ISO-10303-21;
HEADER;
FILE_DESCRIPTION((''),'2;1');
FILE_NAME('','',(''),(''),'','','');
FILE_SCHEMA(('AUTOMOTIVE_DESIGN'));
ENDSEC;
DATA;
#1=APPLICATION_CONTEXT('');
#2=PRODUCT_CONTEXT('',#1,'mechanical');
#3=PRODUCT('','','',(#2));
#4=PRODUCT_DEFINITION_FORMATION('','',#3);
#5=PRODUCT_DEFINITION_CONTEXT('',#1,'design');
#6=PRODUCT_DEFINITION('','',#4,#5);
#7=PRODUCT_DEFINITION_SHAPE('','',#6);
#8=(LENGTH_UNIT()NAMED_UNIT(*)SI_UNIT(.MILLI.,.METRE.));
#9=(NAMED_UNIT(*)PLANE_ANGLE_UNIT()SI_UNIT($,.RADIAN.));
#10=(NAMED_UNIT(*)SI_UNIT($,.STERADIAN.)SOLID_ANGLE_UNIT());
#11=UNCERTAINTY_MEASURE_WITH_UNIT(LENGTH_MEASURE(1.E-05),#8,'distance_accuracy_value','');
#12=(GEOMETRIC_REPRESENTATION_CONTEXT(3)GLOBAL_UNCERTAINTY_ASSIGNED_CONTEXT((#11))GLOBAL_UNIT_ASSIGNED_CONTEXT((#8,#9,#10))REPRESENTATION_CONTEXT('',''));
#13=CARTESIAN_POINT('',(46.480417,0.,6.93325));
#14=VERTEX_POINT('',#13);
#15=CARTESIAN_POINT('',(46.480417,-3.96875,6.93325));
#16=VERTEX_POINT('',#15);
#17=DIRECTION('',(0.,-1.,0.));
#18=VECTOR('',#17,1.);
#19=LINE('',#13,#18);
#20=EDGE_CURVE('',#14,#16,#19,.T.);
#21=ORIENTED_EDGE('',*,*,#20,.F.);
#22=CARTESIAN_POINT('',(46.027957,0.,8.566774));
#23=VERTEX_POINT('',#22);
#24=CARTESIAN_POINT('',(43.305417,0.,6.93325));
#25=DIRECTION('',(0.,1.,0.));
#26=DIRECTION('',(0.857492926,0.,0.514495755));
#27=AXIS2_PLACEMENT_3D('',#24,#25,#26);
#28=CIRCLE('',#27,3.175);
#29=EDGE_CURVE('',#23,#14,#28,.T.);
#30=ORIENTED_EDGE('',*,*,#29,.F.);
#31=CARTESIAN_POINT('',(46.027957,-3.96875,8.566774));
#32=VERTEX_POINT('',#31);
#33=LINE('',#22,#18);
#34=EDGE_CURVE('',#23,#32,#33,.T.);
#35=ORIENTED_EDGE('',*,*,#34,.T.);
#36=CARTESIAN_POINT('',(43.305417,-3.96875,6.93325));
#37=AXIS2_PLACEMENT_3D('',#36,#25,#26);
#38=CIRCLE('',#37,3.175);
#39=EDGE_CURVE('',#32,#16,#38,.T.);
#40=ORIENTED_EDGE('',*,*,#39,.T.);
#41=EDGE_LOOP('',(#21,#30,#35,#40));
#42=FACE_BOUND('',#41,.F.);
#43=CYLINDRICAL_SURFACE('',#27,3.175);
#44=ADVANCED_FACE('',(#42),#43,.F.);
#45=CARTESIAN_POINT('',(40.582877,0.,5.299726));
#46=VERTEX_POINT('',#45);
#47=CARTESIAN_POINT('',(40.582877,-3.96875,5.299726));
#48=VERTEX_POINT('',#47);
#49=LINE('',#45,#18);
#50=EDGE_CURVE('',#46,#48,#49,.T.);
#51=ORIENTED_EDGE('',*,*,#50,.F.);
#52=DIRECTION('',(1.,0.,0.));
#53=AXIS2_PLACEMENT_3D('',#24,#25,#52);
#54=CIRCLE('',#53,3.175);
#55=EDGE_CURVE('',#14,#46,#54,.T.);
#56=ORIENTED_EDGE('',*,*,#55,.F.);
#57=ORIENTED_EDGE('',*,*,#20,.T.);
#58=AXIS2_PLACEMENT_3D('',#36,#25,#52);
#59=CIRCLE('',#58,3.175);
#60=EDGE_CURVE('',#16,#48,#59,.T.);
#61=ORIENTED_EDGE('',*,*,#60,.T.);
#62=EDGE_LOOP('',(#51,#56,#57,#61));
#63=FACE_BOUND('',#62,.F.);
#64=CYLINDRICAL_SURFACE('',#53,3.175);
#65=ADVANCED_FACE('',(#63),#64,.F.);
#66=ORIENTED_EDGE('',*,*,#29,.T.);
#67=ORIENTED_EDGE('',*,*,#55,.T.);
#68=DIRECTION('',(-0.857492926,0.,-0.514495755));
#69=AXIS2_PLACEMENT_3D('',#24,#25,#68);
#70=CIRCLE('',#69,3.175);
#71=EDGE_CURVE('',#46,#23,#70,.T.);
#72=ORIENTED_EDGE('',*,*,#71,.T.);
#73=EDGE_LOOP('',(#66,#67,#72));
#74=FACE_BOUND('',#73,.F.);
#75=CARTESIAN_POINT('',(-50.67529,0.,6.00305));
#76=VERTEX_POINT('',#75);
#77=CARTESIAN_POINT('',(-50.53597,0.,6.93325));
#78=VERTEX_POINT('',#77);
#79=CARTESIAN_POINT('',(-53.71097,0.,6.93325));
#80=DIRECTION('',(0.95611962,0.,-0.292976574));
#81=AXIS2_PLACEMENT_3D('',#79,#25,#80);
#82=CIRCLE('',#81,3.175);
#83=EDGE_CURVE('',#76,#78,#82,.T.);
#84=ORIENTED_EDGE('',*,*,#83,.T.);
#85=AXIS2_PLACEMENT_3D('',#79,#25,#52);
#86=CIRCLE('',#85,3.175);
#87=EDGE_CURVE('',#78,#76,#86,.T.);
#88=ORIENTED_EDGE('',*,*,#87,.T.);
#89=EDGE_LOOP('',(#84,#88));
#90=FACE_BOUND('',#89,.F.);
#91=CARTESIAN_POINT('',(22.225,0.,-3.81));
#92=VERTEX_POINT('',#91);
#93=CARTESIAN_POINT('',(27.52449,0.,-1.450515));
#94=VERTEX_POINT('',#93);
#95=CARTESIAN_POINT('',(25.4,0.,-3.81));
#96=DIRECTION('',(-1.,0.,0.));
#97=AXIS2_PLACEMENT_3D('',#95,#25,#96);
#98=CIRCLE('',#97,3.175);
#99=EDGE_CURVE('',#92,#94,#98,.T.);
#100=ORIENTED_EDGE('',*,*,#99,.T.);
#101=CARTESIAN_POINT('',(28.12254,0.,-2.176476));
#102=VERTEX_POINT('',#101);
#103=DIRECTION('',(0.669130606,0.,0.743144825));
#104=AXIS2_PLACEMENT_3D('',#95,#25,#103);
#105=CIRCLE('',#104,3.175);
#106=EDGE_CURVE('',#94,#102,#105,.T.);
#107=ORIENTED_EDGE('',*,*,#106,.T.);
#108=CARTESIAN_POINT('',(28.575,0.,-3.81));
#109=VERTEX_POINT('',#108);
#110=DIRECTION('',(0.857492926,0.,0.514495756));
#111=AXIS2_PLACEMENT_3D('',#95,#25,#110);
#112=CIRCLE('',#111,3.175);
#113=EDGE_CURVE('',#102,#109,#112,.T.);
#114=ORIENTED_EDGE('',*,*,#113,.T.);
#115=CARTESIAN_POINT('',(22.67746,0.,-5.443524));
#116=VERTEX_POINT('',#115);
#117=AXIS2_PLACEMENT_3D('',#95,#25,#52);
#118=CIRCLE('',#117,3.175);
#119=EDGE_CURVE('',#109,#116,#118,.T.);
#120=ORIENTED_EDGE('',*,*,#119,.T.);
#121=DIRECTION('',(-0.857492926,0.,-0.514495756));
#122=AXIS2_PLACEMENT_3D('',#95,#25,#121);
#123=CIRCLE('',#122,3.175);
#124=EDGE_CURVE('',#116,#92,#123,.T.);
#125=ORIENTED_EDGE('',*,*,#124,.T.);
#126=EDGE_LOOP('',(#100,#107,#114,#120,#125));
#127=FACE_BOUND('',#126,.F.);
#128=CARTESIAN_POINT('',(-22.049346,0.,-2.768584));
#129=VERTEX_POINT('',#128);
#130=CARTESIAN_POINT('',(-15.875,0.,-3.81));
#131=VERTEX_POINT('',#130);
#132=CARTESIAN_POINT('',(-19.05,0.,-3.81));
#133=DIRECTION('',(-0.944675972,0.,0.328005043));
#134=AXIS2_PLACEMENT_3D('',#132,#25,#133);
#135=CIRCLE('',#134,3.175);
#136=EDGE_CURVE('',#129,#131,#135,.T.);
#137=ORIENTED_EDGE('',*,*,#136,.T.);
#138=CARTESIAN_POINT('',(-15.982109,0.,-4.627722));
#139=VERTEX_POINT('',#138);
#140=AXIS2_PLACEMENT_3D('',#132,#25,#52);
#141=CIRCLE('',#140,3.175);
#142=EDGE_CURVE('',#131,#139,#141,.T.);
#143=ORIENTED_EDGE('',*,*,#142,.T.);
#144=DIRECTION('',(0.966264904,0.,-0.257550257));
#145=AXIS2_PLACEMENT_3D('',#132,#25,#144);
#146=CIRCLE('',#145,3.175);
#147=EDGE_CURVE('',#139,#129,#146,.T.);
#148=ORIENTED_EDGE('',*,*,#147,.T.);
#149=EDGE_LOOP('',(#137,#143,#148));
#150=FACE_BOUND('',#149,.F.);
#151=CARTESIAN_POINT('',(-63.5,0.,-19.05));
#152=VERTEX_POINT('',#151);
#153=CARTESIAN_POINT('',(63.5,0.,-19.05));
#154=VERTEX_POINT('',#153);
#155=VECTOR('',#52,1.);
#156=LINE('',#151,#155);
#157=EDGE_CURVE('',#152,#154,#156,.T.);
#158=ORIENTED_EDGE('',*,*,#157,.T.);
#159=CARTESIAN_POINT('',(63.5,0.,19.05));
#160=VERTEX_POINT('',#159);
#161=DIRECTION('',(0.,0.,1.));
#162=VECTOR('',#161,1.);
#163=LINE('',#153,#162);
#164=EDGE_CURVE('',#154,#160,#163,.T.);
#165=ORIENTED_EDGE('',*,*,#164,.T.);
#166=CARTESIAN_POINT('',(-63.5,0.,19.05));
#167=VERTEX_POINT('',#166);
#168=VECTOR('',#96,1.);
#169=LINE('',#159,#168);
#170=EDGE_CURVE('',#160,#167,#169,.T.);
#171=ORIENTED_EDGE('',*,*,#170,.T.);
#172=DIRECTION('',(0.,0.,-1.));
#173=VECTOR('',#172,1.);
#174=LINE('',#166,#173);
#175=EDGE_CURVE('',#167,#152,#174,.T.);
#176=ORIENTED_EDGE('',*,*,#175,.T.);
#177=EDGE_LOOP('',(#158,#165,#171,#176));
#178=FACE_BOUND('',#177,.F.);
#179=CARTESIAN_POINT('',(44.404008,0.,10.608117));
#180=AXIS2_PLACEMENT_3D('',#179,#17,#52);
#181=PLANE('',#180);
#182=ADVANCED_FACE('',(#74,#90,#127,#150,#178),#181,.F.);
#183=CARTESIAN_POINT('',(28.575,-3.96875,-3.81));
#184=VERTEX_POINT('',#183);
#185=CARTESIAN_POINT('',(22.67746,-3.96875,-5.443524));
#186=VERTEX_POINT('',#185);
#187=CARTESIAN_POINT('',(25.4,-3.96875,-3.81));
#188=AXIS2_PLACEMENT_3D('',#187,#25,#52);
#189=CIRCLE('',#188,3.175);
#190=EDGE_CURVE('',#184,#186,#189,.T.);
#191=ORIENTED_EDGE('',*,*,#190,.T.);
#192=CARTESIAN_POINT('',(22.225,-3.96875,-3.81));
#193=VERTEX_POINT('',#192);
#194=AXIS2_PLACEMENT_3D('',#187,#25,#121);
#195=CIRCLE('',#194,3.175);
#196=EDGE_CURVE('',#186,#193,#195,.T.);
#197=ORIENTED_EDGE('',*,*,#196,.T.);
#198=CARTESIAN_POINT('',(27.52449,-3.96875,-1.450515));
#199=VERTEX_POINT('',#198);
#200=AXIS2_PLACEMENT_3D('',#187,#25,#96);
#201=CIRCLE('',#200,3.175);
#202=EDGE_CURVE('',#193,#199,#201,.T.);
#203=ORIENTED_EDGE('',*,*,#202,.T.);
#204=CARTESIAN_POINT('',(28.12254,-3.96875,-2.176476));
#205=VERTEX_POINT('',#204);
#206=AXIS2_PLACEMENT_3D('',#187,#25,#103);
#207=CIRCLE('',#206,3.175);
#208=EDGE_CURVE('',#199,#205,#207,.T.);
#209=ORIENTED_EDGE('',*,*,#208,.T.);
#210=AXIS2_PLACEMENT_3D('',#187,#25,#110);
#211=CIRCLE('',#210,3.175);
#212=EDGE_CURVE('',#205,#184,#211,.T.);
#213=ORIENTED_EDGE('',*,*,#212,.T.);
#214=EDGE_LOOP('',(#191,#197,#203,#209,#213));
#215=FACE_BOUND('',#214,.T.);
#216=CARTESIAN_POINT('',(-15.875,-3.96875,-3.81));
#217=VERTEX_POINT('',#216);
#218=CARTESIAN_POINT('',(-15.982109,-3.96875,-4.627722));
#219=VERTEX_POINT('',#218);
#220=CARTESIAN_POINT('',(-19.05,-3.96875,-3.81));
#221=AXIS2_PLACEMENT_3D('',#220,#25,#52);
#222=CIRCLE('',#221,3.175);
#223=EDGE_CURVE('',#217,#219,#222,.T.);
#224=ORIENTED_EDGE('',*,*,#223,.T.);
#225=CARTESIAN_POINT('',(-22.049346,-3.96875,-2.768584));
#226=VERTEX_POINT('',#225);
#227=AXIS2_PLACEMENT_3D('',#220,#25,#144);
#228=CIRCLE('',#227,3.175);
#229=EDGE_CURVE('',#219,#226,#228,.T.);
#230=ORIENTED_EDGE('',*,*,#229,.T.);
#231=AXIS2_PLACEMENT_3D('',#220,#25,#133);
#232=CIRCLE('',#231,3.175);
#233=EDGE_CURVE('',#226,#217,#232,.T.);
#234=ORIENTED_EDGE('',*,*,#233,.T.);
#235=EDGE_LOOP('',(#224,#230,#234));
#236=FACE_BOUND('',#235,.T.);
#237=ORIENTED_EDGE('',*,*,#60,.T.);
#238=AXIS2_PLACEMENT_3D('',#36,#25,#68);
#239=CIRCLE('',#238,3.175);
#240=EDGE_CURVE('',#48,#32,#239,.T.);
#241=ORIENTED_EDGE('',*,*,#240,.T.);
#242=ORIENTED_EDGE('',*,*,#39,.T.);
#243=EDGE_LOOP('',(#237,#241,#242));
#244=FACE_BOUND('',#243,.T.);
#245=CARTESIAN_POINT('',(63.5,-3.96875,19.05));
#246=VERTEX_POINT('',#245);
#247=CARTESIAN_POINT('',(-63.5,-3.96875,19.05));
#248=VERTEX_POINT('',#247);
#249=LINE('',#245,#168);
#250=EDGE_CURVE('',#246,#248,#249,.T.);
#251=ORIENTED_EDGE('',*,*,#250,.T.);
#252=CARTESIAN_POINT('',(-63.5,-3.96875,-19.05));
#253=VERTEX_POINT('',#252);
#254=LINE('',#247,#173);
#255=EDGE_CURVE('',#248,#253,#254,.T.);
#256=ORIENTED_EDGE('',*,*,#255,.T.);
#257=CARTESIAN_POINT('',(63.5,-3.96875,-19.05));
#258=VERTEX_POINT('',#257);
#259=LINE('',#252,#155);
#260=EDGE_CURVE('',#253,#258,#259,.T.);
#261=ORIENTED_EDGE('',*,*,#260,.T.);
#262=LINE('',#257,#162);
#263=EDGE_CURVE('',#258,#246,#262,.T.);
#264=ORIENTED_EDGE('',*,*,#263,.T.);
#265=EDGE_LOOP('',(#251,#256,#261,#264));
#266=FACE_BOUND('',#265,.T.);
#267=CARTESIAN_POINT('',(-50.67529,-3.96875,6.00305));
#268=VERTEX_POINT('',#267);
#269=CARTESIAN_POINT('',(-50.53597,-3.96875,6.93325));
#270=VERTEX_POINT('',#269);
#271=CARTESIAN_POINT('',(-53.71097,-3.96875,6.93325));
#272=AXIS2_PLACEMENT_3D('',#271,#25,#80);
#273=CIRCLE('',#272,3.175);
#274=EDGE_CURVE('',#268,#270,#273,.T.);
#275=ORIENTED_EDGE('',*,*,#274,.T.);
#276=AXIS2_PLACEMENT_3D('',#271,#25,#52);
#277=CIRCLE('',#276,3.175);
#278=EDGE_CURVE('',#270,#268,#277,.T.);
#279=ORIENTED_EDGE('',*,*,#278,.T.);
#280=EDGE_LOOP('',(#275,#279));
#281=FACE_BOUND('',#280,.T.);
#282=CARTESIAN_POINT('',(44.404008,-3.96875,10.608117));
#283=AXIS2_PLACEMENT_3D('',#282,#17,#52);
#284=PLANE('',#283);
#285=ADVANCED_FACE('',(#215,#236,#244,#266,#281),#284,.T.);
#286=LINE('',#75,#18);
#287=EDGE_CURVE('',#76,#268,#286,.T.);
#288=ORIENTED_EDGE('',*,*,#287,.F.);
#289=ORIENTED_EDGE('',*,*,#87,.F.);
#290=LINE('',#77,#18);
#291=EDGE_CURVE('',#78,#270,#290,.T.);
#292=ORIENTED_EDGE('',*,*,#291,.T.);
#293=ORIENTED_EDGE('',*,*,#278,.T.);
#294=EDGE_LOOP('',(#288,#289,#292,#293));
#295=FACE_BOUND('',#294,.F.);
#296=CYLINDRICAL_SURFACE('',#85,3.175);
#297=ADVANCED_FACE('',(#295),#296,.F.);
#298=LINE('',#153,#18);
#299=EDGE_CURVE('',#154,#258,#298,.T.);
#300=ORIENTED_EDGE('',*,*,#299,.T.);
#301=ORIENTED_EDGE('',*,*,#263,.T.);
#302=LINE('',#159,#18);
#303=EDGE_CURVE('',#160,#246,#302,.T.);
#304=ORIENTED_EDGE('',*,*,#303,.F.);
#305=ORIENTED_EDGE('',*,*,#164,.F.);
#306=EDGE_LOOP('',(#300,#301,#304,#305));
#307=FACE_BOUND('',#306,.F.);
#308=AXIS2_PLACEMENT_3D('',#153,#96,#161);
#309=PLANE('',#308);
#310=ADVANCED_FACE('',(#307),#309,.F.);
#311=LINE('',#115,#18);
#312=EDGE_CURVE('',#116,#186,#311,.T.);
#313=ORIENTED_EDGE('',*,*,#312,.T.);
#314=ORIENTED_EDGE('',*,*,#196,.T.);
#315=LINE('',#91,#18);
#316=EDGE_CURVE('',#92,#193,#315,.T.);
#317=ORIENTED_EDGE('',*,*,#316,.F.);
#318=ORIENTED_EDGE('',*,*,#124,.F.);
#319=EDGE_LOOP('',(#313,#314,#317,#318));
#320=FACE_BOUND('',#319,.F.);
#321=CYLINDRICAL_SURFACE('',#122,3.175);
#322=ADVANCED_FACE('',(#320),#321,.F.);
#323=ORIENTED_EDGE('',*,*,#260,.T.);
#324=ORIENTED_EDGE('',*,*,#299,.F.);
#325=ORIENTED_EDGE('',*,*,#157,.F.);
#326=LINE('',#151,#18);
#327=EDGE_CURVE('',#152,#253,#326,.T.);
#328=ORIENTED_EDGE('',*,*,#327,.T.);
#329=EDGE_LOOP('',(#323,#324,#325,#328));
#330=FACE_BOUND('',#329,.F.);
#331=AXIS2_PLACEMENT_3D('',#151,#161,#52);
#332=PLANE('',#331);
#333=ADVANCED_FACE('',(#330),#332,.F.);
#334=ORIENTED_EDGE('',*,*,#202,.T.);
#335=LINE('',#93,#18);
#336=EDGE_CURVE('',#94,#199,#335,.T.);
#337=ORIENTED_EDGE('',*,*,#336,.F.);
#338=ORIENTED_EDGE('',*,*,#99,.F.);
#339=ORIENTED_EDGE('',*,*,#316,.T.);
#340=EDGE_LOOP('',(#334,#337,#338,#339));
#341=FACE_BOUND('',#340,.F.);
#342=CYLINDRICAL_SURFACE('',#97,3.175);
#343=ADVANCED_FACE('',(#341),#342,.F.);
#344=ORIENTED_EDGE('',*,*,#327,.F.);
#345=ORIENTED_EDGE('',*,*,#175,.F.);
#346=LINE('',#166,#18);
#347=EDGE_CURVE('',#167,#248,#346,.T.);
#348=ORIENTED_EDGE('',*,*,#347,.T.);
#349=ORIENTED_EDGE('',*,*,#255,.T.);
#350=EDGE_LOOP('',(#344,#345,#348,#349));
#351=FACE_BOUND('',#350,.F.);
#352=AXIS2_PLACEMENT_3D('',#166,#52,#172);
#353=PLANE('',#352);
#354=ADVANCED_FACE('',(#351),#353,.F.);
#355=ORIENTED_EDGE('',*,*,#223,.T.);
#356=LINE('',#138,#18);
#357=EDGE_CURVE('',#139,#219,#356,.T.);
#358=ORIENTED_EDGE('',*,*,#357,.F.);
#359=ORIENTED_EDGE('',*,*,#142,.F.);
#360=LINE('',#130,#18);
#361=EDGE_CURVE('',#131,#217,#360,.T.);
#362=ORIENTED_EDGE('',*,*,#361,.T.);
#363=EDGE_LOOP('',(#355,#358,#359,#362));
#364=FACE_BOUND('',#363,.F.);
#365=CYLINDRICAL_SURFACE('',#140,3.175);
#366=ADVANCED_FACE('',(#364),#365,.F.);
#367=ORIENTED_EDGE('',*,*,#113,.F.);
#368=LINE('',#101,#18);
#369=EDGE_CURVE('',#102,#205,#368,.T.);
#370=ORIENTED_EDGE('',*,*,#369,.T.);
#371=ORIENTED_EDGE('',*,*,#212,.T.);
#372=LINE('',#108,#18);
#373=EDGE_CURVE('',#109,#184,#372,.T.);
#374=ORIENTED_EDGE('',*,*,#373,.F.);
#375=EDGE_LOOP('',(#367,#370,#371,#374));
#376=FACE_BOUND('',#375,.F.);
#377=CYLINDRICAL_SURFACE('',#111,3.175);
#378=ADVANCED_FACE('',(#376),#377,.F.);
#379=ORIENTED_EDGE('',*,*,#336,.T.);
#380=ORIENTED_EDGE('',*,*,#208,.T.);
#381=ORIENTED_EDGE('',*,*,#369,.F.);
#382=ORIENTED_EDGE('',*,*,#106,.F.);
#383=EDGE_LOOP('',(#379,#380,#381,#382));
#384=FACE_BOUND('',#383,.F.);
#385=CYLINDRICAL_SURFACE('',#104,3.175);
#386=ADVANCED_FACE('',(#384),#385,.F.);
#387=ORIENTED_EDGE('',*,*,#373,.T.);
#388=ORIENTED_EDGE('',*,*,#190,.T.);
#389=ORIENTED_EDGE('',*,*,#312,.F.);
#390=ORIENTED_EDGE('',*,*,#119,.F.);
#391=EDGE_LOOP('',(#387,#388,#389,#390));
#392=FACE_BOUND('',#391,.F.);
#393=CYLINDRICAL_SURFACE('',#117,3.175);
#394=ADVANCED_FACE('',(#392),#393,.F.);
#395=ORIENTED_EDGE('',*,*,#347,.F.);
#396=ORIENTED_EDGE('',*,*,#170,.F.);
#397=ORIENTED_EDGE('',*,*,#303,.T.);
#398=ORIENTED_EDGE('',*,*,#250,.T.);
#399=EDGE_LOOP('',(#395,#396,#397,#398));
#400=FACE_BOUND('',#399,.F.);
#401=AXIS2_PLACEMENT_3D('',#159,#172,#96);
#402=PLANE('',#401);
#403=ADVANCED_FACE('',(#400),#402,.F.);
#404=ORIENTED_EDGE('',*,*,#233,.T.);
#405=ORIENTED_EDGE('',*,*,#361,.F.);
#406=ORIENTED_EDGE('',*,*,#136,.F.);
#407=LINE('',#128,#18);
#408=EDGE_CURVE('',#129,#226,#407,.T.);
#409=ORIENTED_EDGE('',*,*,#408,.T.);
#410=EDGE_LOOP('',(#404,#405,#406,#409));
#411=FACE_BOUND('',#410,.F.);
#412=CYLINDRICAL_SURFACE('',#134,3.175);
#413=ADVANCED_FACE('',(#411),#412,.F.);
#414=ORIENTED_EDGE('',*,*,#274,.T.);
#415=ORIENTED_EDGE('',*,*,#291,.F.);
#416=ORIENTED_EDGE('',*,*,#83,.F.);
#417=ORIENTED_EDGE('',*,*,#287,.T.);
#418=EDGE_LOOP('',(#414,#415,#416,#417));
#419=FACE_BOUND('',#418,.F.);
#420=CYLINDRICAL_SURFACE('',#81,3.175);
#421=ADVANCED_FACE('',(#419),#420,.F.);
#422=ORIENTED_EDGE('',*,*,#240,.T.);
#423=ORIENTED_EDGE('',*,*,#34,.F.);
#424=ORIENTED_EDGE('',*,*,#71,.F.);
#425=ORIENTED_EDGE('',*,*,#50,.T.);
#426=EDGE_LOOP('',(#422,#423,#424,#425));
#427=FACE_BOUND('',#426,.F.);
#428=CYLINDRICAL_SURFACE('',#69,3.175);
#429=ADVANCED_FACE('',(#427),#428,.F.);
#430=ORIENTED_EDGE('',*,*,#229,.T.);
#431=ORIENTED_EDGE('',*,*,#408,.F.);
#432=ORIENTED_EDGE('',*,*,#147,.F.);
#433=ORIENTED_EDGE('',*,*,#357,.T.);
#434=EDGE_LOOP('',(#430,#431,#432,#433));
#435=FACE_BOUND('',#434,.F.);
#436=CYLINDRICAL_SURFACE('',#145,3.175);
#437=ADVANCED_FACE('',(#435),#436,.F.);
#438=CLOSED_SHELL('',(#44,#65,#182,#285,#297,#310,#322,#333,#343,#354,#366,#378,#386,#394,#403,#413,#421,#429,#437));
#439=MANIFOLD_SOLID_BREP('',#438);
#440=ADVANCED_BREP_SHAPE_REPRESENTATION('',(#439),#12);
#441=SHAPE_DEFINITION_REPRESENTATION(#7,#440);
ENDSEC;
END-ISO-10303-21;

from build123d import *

# Parameters (mm, degrees)
F1_DEPTH = 3.96875


with BuildPart() as f1:
    # F0 (on Front) → F1 (new body)
    with BuildSketch(Plane.XZ):
        with BuildLine():
            Line((46.0279571805, 8.5667743083), (63.5, 19.05))
            Line((63.5, 19.05), (45.9832364526, 19.05))
            Line((45.9832364526, 19.05), (27.5244896752, -1.4505151791))
            ThreePointArc((27.5244896752, -1.4505151791), (27.8505466804, -1.7912266182), (28.1225400391, -2.1764759765))
            Line((28.1225400391, -2.1764759765), (40.5828771022, 5.2997262613))
            ThreePointArc((40.5828771022, 5.2997262613), (41.6718931179, 9.6557903239), (46.0279571805, 8.5667743083))
        make_face()
        with BuildLine():
            Line((27.5244896752, -1.4505151791), (45.9832364526, 19.05))
            Line((45.9832364526, 19.05), (-63.5, 19.05))
            Line((-63.5, 19.05), (-63.5, -19.05))
            Line((-63.5, -19.05), (0, -19.05))
            Line((0, -19.05), (0, -9.525))
            Line((0, -9.525), (-15.9821089289, -4.6277220653))
            ThreePointArc((-15.9821089289, -4.6277220653), (-19.9802006219, -6.8456797926), (-22.0493462104, -2.7685839881))
            ThreePointArc((-22.0493462104, -2.7685839881), (-18.5219371336, -0.6792214053), (-15.875, -3.81))
            Line((-15.875, -3.81), (0, -3.81))
            Line((0, -3.81), (22.225, -3.81))
            ThreePointArc((22.225, -3.81), (24.1086111582, -0.909493172), (27.5244896752, -1.4505151791))
        make_face()
        with BuildLine():
            ThreePointArc((-50.535970122, 6.9332502848), (-50.5709933433, 6.4629622568), (-50.6752903294, 6.0030496629))
            ThreePointArc((-50.6752903294, 6.0030496629), (-56.8509469007, 7.4035383128), (-50.535970122, 6.9332502848))
        make_face(mode=Mode.SUBTRACT)
        with BuildLine():
            Line((63.5, -19.05), (63.5, 19.05))
            Line((63.5, 19.05), (46.0279571805, 8.5667743083))
            ThreePointArc((46.0279571805, 8.5667743083), (46.3652120384, 7.7807644073), (46.4804171413, 6.9332502848))
            ThreePointArc((46.4804171413, 6.9332502848), (44.1529312639, 3.8734553877), (40.5828771022, 5.2997262613))
            Line((40.5828771022, 5.2997262613), (28.1225400391, -2.1764759765))
            ThreePointArc((28.1225400391, -2.1764759765), (28.4597948971, -2.9624858775), (28.575, -3.81))
            ThreePointArc((28.575, -3.81), (26.2475141225, -6.8697948971), (22.6774599609, -5.4435240235))
            Line((22.6774599609, -5.4435240235), (10.5083445014, -12.7449932991))
            Line((10.5083445014, -12.7449932991), (0, -19.05))
            Line((0, -19.05), (63.5, -19.05))
        make_face()
        Polygon((0, -9.525), (0, -19.05), (10.5083445014, -12.7449932991), align=None)
        with BuildLine():
            ThreePointArc((22.6774599609, -5.4435240235), (22.3402051029, -4.6575141225), (22.225, -3.81))
            Line((22.225, -3.81), (0, -3.81))
            Line((0, -3.81), (-15.875, -3.81))
            ThreePointArc((-15.875, -3.81), (-15.9018911113, -4.222353519), (-15.9821089289, -4.6277220653))
            Line((-15.9821089289, -4.6277220653), (0, -9.525))
            Line((0, -9.525), (10.5083445014, -12.7449932991))
            Line((10.5083445014, -12.7449932991), (22.6774599609, -5.4435240235))
        make_face()
    extrude(amount=F1_DEPTH)


solid = f1.part
